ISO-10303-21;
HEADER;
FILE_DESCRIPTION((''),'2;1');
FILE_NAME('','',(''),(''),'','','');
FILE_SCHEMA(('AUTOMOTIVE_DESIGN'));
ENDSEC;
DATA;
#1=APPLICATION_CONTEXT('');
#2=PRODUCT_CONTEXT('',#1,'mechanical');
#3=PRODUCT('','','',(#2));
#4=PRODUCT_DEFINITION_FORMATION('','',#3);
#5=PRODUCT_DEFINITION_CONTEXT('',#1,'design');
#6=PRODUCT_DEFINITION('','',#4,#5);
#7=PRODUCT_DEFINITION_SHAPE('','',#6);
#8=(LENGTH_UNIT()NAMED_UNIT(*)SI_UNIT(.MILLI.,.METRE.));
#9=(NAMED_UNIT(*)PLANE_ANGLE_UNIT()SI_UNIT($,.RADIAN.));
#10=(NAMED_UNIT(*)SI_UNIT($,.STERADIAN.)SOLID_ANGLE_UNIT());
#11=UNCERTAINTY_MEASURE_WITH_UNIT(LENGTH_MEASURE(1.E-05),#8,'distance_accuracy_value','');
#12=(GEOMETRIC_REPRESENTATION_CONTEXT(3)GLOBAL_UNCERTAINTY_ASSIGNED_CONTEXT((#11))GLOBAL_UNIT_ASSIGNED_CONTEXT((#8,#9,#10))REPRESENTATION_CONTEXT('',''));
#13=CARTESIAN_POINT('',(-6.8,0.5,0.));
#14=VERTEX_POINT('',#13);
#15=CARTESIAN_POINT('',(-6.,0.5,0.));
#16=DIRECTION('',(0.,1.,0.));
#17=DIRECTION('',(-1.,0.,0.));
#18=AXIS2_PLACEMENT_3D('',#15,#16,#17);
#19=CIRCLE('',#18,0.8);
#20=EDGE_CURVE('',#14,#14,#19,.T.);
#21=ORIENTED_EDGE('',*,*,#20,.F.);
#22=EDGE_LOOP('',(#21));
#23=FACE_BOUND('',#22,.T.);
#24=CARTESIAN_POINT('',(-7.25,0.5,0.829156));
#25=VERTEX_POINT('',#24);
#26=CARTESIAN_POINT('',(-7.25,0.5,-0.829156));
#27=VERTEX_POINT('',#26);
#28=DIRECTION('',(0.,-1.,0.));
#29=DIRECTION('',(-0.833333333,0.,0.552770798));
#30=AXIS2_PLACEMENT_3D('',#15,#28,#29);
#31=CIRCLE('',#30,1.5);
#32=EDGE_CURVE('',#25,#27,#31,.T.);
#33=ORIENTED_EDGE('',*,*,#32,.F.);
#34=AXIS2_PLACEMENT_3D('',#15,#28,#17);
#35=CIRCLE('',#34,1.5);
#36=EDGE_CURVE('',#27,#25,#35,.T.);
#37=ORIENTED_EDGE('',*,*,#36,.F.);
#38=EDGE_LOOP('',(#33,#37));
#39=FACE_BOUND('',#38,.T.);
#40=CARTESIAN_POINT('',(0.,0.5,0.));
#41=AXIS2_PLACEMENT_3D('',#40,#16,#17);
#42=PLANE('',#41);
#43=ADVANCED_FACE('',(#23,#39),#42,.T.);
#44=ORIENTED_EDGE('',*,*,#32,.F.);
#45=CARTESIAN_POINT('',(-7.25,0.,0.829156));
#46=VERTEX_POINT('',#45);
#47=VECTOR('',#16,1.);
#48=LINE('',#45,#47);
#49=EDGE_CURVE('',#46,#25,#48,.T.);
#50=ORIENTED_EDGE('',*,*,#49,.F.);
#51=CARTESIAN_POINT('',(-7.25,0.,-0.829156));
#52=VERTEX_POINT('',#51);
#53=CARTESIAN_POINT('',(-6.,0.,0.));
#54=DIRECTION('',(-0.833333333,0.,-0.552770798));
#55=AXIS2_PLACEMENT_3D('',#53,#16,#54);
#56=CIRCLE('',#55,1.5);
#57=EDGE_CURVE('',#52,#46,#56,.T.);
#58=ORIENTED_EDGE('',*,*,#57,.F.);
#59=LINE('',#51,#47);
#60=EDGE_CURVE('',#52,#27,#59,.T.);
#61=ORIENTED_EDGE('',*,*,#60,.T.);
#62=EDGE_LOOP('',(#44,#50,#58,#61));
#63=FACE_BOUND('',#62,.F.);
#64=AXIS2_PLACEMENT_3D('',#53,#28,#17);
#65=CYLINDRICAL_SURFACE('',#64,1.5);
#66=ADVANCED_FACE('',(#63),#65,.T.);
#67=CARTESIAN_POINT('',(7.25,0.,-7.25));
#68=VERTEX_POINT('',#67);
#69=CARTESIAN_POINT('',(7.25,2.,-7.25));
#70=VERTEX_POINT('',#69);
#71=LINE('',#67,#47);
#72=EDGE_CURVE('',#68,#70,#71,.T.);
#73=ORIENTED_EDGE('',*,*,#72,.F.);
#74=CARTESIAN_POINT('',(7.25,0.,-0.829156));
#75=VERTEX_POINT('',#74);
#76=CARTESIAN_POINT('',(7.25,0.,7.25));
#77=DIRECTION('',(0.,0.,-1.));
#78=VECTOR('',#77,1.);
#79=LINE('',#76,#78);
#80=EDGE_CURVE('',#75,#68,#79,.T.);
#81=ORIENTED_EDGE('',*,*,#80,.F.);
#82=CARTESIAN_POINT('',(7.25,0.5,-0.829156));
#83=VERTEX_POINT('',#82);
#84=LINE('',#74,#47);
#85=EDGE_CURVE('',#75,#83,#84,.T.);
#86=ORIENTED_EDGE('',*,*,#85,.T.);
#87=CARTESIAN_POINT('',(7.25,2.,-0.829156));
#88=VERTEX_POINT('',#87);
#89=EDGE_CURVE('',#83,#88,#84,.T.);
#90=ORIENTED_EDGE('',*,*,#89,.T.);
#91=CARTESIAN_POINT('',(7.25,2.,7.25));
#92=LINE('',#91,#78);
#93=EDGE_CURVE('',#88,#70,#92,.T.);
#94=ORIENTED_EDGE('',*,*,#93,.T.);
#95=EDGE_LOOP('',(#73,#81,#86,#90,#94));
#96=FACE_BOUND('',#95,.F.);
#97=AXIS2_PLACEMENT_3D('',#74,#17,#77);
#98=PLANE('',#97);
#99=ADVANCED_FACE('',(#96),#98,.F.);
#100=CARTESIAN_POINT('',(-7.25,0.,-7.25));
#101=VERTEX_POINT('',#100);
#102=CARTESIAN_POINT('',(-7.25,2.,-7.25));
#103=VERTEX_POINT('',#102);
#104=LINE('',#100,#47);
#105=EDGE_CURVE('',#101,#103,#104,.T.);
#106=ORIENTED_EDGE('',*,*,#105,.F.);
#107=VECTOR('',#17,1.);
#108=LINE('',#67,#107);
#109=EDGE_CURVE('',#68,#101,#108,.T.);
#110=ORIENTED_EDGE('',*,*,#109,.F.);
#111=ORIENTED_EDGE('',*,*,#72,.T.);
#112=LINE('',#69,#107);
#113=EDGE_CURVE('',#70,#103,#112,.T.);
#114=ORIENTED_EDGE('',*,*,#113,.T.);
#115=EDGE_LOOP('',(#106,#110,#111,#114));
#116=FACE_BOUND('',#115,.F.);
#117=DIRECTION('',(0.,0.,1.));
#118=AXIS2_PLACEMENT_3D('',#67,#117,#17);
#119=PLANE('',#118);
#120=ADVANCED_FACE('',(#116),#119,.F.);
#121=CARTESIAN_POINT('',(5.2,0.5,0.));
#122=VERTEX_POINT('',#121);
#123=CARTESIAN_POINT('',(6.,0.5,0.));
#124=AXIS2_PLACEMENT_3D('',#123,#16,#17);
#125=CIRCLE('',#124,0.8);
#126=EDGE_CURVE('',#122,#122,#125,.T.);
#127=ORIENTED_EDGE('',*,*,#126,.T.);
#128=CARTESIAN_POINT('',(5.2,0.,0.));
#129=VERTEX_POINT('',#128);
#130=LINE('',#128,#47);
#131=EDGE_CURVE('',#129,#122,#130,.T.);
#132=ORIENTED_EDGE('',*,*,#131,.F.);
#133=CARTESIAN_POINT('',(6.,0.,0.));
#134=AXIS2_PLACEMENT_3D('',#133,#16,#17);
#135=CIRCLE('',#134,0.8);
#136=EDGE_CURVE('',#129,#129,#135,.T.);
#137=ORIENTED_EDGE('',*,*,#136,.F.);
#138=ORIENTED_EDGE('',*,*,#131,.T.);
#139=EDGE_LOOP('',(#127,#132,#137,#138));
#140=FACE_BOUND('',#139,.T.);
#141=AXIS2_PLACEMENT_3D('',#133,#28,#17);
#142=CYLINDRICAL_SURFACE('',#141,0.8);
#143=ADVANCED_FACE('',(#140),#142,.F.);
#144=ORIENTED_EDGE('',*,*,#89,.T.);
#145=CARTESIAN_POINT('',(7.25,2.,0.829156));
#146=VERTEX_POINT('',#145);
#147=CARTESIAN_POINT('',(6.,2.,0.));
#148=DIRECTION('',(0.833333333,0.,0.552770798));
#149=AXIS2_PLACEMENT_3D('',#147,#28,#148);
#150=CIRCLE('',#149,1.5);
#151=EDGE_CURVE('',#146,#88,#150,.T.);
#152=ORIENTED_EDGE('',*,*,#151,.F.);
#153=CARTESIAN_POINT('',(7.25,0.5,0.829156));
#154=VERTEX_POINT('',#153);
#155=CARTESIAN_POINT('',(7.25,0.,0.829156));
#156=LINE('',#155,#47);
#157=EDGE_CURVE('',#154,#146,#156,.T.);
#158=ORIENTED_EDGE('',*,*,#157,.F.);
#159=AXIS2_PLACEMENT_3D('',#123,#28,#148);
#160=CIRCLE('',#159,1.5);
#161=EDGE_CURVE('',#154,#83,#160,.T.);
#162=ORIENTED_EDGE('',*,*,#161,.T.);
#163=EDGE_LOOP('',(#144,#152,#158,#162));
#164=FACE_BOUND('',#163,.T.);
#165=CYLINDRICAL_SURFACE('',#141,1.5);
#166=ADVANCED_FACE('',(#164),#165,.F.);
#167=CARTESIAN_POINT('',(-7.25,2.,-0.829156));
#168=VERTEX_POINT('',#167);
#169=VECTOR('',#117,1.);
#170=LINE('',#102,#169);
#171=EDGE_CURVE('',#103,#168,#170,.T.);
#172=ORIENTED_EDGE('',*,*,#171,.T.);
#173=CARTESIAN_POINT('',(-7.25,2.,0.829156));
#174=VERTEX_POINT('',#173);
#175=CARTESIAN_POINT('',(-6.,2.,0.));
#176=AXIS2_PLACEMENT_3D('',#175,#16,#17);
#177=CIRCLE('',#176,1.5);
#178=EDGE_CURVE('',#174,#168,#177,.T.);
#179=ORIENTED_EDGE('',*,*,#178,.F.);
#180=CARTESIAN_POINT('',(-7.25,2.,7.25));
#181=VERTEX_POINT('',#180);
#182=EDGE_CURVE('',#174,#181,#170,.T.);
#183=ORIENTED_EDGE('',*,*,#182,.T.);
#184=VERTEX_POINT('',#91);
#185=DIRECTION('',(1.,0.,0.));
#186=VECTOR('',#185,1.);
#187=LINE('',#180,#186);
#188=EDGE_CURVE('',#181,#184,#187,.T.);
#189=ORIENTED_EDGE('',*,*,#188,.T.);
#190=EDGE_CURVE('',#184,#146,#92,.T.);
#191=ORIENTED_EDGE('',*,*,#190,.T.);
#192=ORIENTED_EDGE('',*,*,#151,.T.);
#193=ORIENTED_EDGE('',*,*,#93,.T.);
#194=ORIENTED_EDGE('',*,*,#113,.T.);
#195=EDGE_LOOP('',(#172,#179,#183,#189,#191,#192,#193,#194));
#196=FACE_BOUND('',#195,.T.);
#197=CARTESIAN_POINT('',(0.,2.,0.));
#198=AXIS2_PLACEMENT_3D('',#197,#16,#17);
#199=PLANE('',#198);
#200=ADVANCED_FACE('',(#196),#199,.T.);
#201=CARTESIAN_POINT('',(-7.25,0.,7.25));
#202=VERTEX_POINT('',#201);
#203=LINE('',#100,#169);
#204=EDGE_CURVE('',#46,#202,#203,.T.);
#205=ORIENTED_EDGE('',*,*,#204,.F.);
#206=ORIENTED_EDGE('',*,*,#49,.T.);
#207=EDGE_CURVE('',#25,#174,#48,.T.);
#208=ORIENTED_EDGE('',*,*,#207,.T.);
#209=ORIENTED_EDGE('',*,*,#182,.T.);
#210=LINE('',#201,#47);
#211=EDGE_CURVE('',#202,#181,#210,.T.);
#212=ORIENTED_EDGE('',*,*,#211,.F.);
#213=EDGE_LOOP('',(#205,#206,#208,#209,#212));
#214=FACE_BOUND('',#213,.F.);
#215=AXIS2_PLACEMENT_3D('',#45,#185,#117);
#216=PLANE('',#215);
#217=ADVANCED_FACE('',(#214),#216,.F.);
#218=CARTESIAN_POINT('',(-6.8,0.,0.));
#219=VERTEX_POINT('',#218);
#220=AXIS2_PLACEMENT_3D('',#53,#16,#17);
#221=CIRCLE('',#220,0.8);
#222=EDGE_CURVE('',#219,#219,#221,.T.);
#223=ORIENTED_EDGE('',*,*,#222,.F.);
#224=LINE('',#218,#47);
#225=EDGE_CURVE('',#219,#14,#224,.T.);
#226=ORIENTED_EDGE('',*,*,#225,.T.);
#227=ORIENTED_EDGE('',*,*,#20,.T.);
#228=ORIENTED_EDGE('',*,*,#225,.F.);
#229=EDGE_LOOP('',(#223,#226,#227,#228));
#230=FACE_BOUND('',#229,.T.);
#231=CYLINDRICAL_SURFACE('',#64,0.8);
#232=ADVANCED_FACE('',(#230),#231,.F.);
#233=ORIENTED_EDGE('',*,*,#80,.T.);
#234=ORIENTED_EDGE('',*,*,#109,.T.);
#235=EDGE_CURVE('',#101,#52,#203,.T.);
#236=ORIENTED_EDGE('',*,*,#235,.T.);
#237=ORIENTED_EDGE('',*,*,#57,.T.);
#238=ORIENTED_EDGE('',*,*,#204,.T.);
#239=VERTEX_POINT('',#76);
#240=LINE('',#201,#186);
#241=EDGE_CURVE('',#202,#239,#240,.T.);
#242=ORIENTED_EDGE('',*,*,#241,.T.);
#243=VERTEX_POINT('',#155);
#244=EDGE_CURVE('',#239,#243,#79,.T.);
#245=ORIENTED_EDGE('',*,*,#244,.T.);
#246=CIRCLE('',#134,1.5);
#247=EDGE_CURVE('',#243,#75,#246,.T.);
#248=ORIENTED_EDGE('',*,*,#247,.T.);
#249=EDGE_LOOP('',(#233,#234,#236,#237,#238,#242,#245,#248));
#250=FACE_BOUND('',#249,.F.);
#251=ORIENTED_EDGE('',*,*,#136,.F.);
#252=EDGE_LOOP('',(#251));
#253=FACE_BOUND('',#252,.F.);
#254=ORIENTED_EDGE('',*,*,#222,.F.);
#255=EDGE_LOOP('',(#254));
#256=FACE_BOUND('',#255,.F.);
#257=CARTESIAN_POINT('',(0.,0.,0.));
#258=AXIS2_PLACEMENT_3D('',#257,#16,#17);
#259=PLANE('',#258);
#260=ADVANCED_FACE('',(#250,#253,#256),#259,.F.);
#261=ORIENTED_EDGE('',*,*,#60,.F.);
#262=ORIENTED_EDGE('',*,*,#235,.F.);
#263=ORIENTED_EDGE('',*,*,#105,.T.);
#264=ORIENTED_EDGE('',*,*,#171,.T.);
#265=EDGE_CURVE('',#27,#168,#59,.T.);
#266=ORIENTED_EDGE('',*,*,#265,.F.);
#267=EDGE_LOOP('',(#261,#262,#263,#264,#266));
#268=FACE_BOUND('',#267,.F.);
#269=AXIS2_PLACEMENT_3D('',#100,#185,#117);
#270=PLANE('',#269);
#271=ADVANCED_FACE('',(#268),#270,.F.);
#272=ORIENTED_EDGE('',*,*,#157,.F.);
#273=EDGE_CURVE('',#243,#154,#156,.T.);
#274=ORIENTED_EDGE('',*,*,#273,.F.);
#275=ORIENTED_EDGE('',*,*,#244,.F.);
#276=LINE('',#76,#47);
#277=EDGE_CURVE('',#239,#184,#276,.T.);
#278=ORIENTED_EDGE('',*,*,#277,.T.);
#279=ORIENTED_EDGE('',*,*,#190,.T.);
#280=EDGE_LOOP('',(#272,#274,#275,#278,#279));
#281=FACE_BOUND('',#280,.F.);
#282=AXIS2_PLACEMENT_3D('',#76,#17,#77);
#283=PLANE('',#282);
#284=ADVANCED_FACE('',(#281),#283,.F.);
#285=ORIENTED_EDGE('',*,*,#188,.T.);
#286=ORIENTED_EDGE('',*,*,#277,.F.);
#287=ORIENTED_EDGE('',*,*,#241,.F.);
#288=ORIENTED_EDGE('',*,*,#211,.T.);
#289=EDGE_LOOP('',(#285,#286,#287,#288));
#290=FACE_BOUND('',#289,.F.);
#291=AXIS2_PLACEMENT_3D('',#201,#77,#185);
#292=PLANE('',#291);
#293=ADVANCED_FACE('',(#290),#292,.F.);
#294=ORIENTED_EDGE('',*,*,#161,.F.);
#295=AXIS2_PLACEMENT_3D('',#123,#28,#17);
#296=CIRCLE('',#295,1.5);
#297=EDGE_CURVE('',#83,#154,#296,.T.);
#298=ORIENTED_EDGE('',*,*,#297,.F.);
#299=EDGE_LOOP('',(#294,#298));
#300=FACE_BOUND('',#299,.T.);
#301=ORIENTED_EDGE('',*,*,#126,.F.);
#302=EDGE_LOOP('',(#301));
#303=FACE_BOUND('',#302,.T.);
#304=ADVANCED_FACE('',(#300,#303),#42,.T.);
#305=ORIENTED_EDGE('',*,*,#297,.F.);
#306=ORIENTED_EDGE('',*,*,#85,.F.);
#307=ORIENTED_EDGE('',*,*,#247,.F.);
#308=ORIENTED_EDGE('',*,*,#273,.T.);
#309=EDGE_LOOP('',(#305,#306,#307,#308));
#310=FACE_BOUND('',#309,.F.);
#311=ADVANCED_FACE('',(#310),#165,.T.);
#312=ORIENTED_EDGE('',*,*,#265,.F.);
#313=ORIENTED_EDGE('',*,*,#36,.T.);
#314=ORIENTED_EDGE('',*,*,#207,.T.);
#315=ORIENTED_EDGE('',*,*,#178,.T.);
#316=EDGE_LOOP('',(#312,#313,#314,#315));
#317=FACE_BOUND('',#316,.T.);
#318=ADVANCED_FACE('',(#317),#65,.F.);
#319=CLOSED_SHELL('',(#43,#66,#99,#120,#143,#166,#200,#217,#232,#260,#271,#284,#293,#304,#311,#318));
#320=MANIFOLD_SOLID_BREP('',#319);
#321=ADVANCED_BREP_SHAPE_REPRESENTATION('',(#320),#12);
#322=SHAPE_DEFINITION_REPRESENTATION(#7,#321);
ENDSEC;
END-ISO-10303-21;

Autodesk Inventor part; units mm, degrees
ref_plane "YZ Plane" through (0, 0, 0) normal (1, 0, 0) x (0, 1, 0)
ref_plane "XZ Plane" through (0, 0, 0) normal (0, 1, 0) x (-1, 0, 0)
ref_plane "XY Plane" through (0, 0, 0) normal (0, 0, 1) x (1, 0, 0)
sketch "Sketch1" plane through (0, 0, 0) normal (0, 1, 0) x (-1, 0, 0)
  line L0 (7.25, 7.25) -> (-7.25, 7.25)
  line L1 (-7.25, 7.25) -> (-7.25, -7.25)
  line L2 (-7.25, -7.25) -> (7.25, -7.25)
  line L3 (7.25, -7.25) -> (7.25, 7.25)
  circle A0 centre (6, 0) radius 0.8
  circle A1 centre (-6, 0) radius 0.8
  circle A2 centre (6, 0) radius 1.5
  circle A3 centre (-6, 0) radius 1.5
  point P0 (0, 0)
  point P1 (7.25, 0)
  point P2 (0, -7.25)
  dimension "d0" = 14.5
  dimension "d1" = 1.6
  dimension "d3" = 3
  dimension "d4" = 6
  dimension "d5" = 6
extrude "Extrusion1" add sketch "Sketch1" along normal blind 2 contours L3 A2 L2 L1 A3 L0
extrude "Extrusion2" add sketch "Sketch1" along normal blind 0.5 contours A2 L3 | L3 A2 | A3 L1 | L1 A3
properties part number "temp apd reinforcement"
